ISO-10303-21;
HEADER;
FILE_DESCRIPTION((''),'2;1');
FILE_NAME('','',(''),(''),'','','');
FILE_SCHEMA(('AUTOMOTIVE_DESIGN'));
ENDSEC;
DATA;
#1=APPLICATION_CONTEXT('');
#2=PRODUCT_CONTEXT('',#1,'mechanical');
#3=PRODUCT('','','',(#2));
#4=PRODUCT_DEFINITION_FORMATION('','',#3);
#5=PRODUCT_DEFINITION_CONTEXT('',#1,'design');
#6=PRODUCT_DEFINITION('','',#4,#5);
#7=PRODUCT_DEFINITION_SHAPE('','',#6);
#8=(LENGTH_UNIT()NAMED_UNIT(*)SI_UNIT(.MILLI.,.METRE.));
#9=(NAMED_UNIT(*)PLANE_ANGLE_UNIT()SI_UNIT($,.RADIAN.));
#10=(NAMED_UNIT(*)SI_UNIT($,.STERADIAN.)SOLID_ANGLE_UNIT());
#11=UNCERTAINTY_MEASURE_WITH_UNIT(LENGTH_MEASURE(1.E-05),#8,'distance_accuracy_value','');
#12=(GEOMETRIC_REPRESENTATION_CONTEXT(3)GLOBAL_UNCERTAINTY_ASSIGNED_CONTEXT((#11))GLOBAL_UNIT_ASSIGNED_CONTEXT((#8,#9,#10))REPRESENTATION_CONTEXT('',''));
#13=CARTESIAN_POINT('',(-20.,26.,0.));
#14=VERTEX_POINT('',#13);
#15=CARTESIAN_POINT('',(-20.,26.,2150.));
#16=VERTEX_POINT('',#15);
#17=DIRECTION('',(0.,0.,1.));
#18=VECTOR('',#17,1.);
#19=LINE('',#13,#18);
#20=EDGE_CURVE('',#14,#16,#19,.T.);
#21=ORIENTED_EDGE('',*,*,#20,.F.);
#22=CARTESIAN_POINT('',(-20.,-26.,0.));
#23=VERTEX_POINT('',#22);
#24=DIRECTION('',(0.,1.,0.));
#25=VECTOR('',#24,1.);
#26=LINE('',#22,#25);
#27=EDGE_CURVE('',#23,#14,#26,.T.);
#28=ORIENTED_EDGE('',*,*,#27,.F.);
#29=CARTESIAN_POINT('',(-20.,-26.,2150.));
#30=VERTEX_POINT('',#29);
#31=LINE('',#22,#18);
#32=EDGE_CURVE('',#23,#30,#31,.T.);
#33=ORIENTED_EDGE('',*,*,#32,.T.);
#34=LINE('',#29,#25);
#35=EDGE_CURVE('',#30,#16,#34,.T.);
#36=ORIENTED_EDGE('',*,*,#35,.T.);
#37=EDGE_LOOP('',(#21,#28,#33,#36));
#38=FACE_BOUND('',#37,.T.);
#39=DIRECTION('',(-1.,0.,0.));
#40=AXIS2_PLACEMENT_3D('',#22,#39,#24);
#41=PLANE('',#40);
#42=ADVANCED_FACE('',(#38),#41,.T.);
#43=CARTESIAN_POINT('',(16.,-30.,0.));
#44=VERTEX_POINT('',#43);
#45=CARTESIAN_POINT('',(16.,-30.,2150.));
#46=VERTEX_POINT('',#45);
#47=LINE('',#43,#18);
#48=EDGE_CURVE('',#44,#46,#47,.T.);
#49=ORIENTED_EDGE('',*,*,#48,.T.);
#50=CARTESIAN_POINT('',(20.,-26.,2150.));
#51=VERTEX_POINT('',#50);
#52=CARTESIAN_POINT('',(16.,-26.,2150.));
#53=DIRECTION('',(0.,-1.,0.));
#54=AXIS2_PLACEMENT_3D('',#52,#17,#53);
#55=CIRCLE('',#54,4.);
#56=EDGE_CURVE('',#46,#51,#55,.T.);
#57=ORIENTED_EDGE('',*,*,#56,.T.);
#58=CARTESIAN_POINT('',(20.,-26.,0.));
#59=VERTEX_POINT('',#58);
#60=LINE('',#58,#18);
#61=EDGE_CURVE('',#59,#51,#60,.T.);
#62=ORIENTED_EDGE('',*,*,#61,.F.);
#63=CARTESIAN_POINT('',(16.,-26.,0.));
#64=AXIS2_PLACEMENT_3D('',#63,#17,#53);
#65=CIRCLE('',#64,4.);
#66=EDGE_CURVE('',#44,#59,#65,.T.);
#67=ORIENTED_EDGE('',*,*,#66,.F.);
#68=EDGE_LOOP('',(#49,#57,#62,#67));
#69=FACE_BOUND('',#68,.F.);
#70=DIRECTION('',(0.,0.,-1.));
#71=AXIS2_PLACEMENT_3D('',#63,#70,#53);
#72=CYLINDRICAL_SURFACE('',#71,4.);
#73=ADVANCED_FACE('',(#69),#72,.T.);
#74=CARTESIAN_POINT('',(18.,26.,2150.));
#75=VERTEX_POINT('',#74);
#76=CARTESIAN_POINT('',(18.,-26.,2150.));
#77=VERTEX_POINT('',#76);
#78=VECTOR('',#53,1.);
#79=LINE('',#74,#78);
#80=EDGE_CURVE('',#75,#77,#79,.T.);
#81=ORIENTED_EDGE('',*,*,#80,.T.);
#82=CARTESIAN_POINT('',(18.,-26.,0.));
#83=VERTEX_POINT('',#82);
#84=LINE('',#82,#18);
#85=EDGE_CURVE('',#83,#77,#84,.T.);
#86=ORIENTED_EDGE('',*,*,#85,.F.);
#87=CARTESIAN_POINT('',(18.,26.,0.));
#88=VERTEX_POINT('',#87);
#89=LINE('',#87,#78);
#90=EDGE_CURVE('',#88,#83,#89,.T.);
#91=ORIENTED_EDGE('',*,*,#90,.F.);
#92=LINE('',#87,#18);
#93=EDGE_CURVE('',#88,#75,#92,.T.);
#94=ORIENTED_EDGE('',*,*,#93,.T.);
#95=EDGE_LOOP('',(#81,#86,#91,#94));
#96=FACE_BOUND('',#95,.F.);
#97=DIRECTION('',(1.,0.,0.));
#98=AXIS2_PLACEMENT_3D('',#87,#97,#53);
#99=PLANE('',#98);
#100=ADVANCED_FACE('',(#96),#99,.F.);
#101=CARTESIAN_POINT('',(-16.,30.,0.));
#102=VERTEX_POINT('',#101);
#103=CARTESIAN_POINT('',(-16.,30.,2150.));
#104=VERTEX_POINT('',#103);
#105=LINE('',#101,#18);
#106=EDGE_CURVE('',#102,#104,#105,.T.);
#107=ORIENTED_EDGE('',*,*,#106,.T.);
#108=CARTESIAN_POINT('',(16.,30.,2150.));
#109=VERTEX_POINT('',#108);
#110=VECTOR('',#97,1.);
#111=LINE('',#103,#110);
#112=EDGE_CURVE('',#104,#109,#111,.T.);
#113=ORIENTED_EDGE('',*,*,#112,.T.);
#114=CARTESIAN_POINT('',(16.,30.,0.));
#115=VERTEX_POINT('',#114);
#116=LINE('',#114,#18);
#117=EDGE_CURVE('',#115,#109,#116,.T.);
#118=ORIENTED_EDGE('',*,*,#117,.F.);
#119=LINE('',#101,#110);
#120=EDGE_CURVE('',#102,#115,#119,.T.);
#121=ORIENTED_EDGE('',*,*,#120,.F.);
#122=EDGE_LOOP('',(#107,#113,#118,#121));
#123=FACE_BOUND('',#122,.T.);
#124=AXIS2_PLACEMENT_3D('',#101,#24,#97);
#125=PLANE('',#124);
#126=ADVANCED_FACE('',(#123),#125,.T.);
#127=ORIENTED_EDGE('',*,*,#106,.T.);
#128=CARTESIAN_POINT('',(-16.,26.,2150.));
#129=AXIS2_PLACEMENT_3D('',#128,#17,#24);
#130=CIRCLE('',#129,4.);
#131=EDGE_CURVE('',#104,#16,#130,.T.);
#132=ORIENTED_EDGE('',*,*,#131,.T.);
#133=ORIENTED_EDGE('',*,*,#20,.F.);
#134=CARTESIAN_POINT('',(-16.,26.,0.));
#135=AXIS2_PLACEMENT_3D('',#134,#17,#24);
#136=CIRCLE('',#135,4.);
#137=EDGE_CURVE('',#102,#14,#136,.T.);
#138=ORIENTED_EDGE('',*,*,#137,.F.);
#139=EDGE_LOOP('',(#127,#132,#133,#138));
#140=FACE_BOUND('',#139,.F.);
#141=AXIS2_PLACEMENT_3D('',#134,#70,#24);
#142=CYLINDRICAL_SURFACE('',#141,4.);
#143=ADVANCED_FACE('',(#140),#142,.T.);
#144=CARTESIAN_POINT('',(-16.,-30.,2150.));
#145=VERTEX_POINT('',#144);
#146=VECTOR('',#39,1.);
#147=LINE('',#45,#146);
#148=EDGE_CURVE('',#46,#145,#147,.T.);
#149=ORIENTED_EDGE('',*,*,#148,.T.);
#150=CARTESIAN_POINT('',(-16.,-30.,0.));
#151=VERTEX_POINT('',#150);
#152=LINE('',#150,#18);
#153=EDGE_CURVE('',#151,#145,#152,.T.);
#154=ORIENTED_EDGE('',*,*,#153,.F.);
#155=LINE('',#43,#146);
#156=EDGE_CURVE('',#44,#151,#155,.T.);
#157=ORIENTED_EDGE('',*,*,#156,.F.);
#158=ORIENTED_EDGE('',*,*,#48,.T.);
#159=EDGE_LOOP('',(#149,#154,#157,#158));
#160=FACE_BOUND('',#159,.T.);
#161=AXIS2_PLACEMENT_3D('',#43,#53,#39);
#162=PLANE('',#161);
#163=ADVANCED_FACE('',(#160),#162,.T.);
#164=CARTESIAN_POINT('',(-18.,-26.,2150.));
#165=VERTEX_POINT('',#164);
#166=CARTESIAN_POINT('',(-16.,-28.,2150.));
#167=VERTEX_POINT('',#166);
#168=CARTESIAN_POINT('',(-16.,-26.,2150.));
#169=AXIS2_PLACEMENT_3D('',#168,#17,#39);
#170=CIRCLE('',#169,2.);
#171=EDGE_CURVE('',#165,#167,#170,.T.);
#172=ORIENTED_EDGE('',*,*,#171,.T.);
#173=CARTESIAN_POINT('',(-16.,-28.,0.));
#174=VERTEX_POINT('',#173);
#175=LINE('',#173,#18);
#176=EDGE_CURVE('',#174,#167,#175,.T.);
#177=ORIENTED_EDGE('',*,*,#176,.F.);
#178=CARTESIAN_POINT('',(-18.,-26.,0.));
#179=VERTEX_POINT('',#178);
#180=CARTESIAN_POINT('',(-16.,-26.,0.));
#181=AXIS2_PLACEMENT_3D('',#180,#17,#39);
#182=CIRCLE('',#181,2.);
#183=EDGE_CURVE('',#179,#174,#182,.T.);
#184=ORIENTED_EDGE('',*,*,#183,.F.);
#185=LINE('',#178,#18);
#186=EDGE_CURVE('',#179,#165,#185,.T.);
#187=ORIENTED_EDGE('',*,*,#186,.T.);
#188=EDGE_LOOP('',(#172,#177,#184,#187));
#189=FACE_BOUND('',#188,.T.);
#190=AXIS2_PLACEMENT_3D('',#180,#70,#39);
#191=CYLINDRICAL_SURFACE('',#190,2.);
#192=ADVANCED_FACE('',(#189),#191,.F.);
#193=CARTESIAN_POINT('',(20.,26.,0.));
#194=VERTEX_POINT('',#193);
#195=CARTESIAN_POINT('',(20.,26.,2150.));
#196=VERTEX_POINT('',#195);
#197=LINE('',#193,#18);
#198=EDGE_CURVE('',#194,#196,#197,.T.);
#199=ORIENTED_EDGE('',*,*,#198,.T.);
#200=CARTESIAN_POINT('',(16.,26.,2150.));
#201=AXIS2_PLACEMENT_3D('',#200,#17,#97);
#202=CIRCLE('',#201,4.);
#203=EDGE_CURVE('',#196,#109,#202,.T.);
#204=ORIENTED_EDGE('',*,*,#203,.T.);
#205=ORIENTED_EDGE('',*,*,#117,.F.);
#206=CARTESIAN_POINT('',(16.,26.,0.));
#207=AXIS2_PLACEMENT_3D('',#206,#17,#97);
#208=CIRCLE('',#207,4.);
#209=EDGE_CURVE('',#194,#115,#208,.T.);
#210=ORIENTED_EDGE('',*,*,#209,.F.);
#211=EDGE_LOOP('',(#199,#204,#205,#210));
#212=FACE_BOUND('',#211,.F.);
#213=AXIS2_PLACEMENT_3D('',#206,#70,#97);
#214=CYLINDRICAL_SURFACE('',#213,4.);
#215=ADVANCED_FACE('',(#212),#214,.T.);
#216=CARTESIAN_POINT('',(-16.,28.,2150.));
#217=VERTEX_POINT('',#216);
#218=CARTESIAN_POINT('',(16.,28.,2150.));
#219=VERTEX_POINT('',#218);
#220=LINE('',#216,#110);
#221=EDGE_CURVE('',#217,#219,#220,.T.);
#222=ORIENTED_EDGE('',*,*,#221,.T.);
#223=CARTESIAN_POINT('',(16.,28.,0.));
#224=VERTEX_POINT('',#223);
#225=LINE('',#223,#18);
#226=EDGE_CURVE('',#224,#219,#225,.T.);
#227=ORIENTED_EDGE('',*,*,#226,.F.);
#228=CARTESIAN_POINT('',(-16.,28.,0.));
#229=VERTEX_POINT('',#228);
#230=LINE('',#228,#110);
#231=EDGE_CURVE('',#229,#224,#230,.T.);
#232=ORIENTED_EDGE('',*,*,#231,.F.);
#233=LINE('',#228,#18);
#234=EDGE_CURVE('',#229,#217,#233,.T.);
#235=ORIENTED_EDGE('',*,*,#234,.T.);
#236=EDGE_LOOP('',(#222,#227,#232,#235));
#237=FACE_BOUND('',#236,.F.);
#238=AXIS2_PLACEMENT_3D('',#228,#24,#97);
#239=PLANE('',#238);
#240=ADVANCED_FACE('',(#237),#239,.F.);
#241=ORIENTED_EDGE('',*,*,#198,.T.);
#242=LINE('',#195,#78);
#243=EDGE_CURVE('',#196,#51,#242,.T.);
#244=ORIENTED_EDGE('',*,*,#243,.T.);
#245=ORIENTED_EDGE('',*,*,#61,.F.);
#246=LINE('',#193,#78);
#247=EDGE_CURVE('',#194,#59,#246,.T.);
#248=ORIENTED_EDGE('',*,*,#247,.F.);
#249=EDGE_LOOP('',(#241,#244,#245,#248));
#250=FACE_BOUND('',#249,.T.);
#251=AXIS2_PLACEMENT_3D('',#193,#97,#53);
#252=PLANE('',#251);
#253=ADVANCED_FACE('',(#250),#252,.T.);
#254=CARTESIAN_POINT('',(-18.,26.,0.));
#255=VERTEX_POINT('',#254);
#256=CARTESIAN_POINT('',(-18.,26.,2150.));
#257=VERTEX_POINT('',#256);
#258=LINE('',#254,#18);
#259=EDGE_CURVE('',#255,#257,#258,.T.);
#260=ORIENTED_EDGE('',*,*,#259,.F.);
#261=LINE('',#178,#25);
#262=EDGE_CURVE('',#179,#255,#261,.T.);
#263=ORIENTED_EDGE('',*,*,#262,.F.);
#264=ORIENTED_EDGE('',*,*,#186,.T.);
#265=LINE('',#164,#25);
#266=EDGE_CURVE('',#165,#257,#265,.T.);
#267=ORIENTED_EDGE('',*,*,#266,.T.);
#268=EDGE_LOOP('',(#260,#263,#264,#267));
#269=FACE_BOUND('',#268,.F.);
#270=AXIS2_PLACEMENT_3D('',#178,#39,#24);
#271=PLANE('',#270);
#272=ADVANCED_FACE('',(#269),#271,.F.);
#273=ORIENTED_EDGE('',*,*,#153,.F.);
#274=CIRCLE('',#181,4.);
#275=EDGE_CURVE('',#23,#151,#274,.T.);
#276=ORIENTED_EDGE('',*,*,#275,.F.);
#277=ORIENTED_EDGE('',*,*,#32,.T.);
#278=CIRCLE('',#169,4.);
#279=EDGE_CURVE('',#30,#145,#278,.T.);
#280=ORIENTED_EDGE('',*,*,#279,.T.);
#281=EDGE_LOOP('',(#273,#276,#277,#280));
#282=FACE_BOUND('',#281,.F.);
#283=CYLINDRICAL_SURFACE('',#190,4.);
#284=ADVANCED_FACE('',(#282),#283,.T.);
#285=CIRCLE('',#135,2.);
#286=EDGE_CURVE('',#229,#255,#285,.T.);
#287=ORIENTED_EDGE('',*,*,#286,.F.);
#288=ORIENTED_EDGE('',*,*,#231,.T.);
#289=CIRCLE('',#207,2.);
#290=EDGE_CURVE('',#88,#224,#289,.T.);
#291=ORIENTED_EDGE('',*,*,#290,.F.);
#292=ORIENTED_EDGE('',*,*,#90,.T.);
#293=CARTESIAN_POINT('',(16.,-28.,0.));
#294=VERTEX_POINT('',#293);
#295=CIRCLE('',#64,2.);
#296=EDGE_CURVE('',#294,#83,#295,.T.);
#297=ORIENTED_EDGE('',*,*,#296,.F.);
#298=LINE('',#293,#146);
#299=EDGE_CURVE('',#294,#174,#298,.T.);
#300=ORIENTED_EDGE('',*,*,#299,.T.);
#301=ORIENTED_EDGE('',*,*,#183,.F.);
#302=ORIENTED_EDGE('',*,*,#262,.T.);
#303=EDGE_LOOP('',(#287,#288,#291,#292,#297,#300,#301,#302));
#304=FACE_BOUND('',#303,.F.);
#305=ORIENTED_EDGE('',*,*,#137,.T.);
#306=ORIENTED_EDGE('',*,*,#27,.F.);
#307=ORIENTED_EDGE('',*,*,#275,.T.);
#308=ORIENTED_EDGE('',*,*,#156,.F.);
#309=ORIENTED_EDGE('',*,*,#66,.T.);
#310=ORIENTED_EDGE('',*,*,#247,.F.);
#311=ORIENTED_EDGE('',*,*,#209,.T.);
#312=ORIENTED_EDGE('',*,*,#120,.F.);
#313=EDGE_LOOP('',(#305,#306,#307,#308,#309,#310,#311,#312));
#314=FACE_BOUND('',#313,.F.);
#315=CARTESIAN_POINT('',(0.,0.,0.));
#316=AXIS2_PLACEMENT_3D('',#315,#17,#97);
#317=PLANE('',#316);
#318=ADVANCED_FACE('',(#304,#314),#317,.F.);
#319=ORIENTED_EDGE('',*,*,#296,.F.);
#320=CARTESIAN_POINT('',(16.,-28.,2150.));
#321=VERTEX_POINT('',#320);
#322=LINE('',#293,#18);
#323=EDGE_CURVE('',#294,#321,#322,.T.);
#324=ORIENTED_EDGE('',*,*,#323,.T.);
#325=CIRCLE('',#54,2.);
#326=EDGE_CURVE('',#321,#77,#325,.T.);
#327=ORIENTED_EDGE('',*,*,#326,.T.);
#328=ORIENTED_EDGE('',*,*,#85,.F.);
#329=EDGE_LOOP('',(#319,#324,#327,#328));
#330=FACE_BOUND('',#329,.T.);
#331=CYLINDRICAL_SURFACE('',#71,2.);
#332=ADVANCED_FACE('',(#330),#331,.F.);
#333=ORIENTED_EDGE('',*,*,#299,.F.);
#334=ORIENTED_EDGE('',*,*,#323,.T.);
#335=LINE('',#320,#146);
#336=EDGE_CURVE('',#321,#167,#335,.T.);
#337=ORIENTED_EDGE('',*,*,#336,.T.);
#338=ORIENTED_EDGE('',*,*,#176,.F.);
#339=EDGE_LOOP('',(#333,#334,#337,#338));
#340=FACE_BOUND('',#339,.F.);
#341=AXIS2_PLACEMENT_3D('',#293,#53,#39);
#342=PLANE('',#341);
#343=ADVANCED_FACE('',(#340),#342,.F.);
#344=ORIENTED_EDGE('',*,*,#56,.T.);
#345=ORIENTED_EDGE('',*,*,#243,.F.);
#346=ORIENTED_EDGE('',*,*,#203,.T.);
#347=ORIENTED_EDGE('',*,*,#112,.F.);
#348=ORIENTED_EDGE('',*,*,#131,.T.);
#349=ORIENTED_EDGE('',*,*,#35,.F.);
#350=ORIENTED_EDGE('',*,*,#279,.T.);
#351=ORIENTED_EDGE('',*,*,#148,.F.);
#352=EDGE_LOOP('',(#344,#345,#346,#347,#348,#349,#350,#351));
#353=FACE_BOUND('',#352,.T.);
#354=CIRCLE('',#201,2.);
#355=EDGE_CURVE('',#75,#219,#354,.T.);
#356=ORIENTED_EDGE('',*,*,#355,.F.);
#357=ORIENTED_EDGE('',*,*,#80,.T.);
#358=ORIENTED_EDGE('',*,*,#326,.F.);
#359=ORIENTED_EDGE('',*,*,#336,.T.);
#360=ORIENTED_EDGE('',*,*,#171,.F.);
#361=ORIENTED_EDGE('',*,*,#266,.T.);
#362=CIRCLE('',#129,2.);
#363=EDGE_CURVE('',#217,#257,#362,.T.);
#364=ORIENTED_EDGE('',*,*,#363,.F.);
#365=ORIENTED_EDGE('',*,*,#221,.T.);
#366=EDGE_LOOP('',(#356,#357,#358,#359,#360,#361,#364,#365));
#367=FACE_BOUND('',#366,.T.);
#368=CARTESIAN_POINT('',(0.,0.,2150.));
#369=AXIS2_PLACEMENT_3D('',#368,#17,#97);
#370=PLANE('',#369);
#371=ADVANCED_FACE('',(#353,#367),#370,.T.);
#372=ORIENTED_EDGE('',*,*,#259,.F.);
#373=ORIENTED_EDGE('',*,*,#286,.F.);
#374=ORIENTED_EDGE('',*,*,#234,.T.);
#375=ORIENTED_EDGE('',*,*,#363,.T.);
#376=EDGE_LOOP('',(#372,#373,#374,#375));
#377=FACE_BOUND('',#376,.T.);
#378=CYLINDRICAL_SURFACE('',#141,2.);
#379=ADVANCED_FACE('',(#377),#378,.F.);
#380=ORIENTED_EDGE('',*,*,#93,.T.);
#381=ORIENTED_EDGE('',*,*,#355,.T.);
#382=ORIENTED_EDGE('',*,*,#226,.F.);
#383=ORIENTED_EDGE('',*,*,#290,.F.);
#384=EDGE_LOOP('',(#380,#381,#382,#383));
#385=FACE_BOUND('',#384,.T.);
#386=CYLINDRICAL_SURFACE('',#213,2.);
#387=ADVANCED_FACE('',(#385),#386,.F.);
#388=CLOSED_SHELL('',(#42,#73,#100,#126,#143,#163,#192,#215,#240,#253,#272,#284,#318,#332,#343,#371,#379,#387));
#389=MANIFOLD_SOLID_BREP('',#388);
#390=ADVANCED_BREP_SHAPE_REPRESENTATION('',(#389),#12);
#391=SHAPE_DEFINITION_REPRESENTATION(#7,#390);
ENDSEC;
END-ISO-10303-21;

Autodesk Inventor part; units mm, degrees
ref_plane "YZ Plane" through (0, 0, 0) normal (1, 0, 0) x (0, 1, 0)
ref_plane "Start Plane" through (0, 0, 0) normal (0, 0, 1) x (1, 0, 0)
ref_plane "End Plane" through (0, 0, 2150) normal (0, 0, 1) x (1, 0, 0)
sketch "Sketch" plane through (0, 0, 0) normal (0, 0, 1) x (1, 0, 0)
  line L0 (-20, -26) -> (-20, 26)
  line L1 (-16, 30) -> (16, 30)
  line L2 (20, 26) -> (20, -26)
  line L3 (16, -30) -> (-16, -30)
  arc A0 (-20, -26) -> (-16, -30) centre (-16, -26) ccw
  arc A1 (20, 26) -> (16, 30) centre (16, 26) ccw
  arc A2 (-16, 30) -> (-20, 26) centre (-16, 26) ccw
  arc A3 (16, -30) -> (20, -26) centre (16, -26) ccw
  arc A4 (-16, 28) -> (-18, 26) centre (-16, 26) ccw
  line L4 (-16, 28) -> (16, 28)
  arc A5 (18, 26) -> (16, 28) centre (16, 26) ccw
  line L5 (18, 26) -> (18, -26)
  arc A6 (16, -28) -> (18, -26) centre (16, -26) ccw
  line L6 (16, -28) -> (-16, -28)
  arc A7 (-18, -26) -> (-16, -28) centre (-16, -26) ccw
  line L7 (-18, -26) -> (-18, 26)
  line L8 (0, 43.1598) -> (0, -43.1598) construction
  line L9 (-29.1598, 0) -> (29.1598, 0) construction
  dimension "d7" = 4
  dimension "d9" = 40
  dimension "d11" = 60
  dimension "d12" = 2
  dimension "d15" = 20
  dimension "d16" = 30
extrude "Body" add sketch "Sketch" along normal up to surface (2150 mm away) from surface at 0
sketch "Sketch3" plane through (0, 0, 0) normal (0, 0, 1) x (1, 0, 0)
  line L0 (0, 0) -> (10, 0)
ref_plane "Work Plane3" through (0, 0, 0) normal (0, -1, 0) x (1, 0, 0)
sketch "Sketch4" plane through (0, 0, 0) normal (0, -1, 0) x (1, 0, 0)
  line L0 (-2, 0) -> (12, 0) projected
  line L1 (-2, 2150) -> (12, 2150) projected
  dimension "d18" = 2150
equation "\"d7\" = G_IR"
equation "\"d9\" = G_W"
equation "\"d11\" = G_H"
equation "\"d12\" = G_T"
equation "\"d15\" = 0.5 * d9"
equation "\"d16\" = 0.5 * d11"
equation "\"d3\" = G_L"
equation "\"G_W\" = 40"
equation "\"G_H\" = 60"
equation "\"G_T\" = 2"
equation "\"G_IR\" = 4"
equation "\"G_L\" = d18"
equation "\"G_OFFSET_START\" = 0"
equation "\"G_OFFSET_END\" = 0"
properties part number "ISO 10799-2 - 60x40x2 - 2150" material "Steel, Mild"
